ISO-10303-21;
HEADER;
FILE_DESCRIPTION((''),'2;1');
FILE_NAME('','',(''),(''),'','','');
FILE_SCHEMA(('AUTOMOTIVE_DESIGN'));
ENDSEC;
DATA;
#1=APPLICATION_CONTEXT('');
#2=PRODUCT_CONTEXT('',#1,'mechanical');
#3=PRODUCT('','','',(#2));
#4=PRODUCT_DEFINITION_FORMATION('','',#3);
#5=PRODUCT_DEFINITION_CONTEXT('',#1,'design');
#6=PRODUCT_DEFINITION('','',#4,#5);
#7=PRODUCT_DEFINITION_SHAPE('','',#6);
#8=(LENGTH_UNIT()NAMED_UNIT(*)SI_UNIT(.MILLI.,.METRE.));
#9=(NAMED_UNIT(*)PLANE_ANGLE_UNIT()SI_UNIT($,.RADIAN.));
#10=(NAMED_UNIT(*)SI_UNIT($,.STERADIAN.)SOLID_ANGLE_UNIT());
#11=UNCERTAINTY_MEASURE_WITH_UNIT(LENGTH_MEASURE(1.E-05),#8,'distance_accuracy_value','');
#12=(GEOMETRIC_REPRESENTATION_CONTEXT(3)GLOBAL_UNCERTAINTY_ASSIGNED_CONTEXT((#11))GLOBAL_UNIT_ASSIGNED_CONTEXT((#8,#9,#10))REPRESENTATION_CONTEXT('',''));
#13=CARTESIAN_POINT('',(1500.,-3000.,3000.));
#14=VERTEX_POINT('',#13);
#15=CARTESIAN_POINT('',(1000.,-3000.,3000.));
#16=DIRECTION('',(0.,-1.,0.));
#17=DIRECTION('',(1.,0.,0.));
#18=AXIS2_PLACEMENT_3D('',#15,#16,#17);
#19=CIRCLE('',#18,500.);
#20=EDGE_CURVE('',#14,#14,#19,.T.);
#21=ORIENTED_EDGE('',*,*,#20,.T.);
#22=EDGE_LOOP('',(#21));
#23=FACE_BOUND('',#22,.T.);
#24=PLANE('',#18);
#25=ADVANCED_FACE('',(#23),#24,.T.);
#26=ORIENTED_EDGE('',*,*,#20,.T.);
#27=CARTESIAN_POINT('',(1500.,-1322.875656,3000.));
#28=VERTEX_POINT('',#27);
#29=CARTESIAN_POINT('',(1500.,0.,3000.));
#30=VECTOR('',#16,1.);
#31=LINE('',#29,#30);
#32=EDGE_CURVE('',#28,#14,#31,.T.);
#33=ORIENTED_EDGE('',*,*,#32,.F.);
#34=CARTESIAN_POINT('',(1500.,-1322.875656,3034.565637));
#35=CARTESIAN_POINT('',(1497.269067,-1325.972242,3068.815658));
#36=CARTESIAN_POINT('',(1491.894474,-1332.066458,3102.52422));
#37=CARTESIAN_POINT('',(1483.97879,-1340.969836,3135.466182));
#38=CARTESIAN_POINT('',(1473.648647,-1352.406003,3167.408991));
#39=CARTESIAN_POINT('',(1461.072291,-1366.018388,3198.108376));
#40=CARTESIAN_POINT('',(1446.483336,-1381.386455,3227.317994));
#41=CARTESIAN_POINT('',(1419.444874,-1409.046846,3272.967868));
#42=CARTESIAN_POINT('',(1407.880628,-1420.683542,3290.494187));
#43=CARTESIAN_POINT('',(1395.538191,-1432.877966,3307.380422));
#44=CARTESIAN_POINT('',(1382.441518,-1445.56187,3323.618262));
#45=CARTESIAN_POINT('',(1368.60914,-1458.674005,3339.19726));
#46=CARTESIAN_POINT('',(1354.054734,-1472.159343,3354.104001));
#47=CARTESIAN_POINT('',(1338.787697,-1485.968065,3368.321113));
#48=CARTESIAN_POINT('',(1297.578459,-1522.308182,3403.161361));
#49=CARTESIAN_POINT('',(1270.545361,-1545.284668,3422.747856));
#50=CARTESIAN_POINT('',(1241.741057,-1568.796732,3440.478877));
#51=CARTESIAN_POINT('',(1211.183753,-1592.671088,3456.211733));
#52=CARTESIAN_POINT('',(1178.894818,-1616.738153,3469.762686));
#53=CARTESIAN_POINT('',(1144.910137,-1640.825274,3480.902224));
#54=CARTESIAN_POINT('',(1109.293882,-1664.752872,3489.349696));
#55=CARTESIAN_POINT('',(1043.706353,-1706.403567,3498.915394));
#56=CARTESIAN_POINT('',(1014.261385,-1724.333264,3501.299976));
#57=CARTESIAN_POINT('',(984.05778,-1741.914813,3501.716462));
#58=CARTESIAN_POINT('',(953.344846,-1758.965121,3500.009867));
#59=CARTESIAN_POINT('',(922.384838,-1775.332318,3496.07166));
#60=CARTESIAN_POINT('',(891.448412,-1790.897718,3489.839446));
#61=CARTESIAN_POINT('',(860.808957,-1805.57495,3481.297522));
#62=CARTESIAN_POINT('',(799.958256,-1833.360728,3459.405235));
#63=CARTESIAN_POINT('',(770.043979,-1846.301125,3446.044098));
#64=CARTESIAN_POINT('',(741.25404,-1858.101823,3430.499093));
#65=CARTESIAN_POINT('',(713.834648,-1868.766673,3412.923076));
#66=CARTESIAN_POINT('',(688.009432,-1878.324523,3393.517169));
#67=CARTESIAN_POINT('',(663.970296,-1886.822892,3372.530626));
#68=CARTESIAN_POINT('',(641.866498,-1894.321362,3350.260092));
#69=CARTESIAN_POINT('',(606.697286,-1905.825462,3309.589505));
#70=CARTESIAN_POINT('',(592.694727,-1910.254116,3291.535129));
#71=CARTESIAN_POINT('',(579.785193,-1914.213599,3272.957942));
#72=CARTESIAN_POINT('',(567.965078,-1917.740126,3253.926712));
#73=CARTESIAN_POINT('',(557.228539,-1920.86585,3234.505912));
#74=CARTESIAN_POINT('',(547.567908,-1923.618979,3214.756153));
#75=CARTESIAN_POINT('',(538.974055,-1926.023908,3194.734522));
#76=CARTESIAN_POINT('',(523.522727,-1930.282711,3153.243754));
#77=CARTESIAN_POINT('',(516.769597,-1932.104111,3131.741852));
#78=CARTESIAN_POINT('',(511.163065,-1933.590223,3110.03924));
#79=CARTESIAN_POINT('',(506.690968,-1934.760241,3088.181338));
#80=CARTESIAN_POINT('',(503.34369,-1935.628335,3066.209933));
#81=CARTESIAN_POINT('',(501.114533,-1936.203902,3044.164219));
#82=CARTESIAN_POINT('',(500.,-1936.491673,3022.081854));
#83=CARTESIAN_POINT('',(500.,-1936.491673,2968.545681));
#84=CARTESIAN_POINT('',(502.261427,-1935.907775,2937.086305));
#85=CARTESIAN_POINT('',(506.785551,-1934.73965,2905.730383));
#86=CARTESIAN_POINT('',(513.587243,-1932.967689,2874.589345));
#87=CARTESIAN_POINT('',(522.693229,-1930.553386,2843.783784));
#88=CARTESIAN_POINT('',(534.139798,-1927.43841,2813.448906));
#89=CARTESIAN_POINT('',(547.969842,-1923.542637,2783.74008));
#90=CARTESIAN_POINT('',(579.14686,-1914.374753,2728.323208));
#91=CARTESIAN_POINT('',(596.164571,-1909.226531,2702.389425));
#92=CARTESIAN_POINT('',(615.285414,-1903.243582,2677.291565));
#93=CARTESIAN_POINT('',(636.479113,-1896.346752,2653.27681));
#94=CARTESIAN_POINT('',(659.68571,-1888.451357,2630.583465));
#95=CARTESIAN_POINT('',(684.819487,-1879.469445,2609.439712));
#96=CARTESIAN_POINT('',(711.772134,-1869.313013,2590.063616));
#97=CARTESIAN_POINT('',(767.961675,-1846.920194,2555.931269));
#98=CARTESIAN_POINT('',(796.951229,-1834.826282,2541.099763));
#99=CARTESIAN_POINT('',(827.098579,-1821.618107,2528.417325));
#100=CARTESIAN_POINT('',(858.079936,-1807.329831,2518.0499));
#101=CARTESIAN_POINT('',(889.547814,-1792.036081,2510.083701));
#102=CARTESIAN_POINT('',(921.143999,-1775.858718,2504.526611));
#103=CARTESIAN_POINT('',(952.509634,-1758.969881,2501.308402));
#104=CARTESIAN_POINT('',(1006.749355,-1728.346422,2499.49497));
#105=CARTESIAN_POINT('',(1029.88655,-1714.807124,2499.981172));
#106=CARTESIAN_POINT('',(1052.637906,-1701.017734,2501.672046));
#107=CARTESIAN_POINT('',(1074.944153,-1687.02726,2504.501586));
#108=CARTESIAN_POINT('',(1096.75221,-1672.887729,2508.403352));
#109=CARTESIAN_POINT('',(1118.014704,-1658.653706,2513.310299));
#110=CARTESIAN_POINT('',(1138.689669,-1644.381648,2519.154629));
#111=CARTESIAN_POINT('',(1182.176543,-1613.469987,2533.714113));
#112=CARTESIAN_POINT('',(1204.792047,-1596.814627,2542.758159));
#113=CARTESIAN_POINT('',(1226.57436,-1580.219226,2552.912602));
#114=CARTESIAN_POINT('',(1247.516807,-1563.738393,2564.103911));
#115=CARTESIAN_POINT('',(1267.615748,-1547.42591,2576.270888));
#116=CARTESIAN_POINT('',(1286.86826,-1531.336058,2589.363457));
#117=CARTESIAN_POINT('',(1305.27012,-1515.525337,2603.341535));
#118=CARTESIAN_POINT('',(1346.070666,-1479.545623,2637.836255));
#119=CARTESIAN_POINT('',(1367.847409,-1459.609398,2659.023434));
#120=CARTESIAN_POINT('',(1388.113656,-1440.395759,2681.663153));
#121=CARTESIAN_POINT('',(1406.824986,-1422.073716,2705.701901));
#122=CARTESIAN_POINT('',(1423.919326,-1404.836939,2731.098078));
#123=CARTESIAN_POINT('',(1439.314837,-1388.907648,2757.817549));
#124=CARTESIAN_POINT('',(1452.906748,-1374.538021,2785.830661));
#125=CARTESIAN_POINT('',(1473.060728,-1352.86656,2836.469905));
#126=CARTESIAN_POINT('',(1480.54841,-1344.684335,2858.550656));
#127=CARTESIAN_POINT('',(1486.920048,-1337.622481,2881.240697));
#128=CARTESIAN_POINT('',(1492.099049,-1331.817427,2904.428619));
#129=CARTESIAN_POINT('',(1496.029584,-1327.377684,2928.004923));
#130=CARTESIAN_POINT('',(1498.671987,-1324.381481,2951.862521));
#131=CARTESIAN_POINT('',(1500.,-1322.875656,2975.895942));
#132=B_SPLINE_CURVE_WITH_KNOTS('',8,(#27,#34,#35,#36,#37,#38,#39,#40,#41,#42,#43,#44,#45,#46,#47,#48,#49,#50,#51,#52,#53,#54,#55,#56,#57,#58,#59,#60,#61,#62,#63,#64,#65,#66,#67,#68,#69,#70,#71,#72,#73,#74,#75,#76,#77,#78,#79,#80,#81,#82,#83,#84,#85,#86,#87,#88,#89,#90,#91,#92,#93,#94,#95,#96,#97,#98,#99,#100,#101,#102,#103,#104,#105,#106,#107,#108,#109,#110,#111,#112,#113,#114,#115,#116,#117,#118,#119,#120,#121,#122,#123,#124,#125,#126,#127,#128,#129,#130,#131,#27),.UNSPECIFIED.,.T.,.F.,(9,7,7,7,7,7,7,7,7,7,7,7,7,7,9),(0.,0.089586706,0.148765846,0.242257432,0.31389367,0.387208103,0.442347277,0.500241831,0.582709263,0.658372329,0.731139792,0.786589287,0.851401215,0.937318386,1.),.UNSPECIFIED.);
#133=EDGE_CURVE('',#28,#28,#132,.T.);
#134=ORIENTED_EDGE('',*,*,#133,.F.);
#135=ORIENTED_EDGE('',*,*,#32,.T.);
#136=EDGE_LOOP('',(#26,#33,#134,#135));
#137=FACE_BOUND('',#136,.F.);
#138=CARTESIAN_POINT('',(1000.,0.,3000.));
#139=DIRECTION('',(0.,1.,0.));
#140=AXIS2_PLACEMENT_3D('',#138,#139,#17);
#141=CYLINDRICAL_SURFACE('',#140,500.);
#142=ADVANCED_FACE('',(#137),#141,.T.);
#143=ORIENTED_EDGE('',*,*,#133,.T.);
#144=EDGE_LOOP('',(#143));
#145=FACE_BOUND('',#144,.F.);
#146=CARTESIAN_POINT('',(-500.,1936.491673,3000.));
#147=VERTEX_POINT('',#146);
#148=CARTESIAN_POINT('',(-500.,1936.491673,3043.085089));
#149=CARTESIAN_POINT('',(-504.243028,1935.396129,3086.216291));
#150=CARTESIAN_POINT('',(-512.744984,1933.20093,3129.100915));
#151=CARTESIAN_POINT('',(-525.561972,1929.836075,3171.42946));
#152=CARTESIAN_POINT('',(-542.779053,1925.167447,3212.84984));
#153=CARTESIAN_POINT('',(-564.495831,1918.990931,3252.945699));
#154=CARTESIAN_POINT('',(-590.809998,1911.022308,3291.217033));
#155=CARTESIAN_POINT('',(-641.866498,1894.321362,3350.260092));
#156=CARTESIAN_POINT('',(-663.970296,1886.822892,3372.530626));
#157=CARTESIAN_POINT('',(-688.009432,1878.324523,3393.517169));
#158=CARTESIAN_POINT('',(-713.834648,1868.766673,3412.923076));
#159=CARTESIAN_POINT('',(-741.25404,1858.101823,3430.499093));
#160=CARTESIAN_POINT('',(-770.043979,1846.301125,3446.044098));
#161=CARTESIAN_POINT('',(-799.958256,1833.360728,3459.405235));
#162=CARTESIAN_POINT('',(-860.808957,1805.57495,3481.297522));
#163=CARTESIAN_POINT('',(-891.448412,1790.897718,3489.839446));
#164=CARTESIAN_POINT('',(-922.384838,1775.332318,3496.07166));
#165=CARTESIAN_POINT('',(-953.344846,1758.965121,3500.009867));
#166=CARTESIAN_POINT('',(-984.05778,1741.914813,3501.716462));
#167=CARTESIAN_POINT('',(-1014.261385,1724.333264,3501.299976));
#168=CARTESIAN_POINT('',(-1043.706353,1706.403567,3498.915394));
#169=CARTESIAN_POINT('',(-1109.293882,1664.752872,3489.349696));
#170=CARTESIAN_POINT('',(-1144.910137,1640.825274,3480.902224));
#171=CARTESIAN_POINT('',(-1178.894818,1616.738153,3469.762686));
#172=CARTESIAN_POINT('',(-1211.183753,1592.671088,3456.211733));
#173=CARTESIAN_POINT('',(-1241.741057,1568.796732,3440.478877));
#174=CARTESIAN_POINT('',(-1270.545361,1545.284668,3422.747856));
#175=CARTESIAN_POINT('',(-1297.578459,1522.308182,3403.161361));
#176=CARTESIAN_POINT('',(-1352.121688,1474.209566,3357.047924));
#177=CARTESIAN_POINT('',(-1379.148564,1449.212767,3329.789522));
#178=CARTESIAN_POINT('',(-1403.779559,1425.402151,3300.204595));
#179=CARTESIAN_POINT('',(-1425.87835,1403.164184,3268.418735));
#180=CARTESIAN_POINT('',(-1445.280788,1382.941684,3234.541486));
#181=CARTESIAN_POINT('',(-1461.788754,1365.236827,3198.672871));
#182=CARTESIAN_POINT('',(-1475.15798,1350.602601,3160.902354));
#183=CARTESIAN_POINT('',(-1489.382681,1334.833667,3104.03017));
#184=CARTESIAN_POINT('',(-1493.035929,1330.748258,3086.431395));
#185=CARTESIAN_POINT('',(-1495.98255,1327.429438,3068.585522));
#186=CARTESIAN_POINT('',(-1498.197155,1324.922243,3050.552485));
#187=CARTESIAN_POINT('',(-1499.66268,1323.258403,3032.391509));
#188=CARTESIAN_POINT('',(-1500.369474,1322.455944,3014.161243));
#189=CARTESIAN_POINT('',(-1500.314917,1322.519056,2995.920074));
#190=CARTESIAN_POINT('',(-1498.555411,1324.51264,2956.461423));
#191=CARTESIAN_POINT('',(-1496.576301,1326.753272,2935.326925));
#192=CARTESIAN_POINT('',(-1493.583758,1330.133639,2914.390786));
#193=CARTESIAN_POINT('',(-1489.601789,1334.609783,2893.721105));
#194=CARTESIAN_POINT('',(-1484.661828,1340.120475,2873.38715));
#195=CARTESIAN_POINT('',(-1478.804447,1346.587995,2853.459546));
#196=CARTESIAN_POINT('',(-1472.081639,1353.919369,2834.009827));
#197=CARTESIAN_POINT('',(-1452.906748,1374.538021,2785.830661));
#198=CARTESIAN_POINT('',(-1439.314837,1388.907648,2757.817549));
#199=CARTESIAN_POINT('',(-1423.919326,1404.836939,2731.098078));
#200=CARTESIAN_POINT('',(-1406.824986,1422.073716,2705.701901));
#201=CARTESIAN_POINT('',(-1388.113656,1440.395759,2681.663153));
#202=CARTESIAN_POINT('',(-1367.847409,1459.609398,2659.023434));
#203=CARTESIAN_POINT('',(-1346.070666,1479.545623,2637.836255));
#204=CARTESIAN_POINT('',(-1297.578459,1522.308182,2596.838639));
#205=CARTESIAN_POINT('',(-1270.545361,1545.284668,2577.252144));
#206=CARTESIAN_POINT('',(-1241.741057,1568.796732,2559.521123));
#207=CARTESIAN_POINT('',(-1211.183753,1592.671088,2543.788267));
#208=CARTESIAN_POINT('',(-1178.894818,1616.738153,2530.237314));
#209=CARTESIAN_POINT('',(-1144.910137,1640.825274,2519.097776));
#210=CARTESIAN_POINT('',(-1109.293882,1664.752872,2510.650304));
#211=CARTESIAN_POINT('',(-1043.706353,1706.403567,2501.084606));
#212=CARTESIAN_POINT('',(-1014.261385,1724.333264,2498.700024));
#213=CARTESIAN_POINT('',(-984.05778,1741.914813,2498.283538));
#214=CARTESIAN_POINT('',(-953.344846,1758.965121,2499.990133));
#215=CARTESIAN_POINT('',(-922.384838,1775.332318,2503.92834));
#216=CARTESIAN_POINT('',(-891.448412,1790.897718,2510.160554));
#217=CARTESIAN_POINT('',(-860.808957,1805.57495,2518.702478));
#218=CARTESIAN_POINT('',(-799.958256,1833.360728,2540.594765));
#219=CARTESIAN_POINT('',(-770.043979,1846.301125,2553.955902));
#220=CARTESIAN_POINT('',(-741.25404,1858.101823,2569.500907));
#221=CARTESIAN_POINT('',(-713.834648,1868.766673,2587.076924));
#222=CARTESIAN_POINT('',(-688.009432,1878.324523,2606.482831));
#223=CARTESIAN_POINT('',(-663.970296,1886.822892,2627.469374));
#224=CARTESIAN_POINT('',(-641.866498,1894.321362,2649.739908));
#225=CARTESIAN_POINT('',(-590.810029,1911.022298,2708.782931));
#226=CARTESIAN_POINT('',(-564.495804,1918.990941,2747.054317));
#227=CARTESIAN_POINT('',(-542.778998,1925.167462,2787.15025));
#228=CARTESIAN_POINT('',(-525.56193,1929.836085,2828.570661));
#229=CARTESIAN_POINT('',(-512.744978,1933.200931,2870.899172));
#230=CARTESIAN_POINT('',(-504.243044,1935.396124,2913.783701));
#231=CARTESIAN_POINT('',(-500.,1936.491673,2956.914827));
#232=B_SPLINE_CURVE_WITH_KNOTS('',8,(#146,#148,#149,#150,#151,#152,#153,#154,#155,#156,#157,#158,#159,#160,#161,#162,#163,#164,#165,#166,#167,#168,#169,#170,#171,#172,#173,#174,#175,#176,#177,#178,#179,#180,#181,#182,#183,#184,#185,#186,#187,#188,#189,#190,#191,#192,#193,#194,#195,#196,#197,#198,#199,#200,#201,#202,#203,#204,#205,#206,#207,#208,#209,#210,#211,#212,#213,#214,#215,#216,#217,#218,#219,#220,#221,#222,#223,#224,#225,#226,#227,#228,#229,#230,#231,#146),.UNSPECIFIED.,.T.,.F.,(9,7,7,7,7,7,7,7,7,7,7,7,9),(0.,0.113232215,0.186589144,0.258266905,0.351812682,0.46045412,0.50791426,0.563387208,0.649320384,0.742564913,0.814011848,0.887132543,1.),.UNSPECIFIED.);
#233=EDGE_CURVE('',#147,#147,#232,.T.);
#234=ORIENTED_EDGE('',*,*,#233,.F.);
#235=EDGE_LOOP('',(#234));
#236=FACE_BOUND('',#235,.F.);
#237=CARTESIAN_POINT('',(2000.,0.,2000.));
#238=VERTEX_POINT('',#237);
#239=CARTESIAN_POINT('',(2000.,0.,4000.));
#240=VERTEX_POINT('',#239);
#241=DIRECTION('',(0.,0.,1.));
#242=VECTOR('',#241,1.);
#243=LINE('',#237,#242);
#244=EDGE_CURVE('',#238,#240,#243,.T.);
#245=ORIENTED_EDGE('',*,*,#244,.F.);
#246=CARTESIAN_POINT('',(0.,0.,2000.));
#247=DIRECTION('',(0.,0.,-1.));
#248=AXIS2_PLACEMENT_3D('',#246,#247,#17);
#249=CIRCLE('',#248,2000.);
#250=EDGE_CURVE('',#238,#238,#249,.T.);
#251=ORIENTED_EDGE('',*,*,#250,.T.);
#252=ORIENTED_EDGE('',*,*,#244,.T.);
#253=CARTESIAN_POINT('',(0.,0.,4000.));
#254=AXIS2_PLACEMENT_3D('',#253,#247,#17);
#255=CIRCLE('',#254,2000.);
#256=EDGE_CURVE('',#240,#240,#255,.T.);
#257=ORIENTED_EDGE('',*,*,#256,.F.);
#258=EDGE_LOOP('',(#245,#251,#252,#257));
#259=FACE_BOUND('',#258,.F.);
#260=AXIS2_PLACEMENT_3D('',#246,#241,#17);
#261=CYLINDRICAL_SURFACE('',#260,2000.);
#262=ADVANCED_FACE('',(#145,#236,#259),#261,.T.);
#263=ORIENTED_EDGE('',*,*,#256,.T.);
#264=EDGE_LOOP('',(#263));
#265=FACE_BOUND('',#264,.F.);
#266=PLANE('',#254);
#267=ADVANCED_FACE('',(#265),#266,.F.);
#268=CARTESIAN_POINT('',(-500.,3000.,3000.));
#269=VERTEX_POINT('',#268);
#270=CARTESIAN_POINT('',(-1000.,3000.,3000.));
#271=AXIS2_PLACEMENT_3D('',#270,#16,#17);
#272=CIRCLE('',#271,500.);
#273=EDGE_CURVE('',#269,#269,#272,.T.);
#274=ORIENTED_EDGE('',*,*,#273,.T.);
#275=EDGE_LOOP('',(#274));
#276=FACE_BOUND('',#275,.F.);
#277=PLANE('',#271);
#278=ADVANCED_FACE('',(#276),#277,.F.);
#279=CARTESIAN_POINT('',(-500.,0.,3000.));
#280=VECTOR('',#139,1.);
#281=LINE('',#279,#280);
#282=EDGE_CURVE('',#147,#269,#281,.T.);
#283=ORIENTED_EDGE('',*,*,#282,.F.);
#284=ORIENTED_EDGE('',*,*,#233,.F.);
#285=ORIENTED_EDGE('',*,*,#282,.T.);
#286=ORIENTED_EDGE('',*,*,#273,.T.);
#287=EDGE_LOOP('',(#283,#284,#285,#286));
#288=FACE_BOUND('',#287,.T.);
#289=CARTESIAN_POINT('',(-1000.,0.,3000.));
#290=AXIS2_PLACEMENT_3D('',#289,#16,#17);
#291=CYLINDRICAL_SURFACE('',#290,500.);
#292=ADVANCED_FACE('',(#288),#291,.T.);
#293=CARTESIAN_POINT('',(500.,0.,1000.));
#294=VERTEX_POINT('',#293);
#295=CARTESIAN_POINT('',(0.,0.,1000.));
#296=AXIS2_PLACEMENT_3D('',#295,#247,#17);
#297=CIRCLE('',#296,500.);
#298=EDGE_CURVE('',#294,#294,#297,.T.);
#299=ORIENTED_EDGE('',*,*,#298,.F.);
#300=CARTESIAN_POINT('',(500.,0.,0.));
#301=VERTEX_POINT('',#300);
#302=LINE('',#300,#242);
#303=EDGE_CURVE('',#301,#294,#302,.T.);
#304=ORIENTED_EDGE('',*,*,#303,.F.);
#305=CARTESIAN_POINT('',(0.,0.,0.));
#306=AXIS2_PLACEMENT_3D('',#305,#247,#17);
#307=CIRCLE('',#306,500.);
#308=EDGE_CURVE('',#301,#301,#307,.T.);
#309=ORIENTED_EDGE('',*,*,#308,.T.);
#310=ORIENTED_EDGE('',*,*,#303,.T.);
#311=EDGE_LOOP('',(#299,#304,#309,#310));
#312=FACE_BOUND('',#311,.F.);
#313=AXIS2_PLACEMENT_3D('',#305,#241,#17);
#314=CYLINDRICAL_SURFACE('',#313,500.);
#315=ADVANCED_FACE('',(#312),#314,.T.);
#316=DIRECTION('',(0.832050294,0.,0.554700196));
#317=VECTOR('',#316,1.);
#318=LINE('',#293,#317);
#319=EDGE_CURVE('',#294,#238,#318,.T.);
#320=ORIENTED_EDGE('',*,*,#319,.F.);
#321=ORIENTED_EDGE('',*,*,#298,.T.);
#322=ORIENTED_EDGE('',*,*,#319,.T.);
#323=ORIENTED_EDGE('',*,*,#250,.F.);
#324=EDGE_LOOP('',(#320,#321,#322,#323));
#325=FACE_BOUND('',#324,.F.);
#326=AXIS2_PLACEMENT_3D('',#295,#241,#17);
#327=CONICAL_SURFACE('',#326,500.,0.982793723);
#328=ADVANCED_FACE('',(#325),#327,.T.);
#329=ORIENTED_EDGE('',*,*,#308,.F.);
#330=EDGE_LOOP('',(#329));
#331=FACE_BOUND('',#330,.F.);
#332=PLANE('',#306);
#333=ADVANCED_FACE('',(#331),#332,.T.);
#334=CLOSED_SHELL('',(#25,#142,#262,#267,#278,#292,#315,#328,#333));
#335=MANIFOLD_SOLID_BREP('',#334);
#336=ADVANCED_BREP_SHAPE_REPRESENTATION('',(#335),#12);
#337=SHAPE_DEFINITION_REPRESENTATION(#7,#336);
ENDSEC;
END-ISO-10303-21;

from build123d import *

# Parameters (mm, degrees)
F2_R     = 500
F3_DEPTH = 3000
F4_R     = 500
F5_DEPTH = 3000


with BuildPart() as f1:
    # F0 (on Front) → F1 (revolve)
    with BuildSketch(Plane.XZ):
        Polygon((0, 4000), (0, 0), (500, 0), (500, 1000), (2000, 2000), (2000, 4000), align=None)
    revolve(axis=Axis((0, 0, 2000), (0, 0, -1)))

    # F2 (on Front) → F3 (join)
    with BuildSketch(Plane.XZ):
        with Locations((1000, 3000)):
            Circle(F2_R)
    extrude(amount=F3_DEPTH)

    # F4 (on Front) → F5 (join)
    with BuildSketch(Plane.XZ):
        with Locations((-1000, 3000)):
            Circle(F4_R)
    extrude(amount=-F5_DEPTH)


solid = f1.part
